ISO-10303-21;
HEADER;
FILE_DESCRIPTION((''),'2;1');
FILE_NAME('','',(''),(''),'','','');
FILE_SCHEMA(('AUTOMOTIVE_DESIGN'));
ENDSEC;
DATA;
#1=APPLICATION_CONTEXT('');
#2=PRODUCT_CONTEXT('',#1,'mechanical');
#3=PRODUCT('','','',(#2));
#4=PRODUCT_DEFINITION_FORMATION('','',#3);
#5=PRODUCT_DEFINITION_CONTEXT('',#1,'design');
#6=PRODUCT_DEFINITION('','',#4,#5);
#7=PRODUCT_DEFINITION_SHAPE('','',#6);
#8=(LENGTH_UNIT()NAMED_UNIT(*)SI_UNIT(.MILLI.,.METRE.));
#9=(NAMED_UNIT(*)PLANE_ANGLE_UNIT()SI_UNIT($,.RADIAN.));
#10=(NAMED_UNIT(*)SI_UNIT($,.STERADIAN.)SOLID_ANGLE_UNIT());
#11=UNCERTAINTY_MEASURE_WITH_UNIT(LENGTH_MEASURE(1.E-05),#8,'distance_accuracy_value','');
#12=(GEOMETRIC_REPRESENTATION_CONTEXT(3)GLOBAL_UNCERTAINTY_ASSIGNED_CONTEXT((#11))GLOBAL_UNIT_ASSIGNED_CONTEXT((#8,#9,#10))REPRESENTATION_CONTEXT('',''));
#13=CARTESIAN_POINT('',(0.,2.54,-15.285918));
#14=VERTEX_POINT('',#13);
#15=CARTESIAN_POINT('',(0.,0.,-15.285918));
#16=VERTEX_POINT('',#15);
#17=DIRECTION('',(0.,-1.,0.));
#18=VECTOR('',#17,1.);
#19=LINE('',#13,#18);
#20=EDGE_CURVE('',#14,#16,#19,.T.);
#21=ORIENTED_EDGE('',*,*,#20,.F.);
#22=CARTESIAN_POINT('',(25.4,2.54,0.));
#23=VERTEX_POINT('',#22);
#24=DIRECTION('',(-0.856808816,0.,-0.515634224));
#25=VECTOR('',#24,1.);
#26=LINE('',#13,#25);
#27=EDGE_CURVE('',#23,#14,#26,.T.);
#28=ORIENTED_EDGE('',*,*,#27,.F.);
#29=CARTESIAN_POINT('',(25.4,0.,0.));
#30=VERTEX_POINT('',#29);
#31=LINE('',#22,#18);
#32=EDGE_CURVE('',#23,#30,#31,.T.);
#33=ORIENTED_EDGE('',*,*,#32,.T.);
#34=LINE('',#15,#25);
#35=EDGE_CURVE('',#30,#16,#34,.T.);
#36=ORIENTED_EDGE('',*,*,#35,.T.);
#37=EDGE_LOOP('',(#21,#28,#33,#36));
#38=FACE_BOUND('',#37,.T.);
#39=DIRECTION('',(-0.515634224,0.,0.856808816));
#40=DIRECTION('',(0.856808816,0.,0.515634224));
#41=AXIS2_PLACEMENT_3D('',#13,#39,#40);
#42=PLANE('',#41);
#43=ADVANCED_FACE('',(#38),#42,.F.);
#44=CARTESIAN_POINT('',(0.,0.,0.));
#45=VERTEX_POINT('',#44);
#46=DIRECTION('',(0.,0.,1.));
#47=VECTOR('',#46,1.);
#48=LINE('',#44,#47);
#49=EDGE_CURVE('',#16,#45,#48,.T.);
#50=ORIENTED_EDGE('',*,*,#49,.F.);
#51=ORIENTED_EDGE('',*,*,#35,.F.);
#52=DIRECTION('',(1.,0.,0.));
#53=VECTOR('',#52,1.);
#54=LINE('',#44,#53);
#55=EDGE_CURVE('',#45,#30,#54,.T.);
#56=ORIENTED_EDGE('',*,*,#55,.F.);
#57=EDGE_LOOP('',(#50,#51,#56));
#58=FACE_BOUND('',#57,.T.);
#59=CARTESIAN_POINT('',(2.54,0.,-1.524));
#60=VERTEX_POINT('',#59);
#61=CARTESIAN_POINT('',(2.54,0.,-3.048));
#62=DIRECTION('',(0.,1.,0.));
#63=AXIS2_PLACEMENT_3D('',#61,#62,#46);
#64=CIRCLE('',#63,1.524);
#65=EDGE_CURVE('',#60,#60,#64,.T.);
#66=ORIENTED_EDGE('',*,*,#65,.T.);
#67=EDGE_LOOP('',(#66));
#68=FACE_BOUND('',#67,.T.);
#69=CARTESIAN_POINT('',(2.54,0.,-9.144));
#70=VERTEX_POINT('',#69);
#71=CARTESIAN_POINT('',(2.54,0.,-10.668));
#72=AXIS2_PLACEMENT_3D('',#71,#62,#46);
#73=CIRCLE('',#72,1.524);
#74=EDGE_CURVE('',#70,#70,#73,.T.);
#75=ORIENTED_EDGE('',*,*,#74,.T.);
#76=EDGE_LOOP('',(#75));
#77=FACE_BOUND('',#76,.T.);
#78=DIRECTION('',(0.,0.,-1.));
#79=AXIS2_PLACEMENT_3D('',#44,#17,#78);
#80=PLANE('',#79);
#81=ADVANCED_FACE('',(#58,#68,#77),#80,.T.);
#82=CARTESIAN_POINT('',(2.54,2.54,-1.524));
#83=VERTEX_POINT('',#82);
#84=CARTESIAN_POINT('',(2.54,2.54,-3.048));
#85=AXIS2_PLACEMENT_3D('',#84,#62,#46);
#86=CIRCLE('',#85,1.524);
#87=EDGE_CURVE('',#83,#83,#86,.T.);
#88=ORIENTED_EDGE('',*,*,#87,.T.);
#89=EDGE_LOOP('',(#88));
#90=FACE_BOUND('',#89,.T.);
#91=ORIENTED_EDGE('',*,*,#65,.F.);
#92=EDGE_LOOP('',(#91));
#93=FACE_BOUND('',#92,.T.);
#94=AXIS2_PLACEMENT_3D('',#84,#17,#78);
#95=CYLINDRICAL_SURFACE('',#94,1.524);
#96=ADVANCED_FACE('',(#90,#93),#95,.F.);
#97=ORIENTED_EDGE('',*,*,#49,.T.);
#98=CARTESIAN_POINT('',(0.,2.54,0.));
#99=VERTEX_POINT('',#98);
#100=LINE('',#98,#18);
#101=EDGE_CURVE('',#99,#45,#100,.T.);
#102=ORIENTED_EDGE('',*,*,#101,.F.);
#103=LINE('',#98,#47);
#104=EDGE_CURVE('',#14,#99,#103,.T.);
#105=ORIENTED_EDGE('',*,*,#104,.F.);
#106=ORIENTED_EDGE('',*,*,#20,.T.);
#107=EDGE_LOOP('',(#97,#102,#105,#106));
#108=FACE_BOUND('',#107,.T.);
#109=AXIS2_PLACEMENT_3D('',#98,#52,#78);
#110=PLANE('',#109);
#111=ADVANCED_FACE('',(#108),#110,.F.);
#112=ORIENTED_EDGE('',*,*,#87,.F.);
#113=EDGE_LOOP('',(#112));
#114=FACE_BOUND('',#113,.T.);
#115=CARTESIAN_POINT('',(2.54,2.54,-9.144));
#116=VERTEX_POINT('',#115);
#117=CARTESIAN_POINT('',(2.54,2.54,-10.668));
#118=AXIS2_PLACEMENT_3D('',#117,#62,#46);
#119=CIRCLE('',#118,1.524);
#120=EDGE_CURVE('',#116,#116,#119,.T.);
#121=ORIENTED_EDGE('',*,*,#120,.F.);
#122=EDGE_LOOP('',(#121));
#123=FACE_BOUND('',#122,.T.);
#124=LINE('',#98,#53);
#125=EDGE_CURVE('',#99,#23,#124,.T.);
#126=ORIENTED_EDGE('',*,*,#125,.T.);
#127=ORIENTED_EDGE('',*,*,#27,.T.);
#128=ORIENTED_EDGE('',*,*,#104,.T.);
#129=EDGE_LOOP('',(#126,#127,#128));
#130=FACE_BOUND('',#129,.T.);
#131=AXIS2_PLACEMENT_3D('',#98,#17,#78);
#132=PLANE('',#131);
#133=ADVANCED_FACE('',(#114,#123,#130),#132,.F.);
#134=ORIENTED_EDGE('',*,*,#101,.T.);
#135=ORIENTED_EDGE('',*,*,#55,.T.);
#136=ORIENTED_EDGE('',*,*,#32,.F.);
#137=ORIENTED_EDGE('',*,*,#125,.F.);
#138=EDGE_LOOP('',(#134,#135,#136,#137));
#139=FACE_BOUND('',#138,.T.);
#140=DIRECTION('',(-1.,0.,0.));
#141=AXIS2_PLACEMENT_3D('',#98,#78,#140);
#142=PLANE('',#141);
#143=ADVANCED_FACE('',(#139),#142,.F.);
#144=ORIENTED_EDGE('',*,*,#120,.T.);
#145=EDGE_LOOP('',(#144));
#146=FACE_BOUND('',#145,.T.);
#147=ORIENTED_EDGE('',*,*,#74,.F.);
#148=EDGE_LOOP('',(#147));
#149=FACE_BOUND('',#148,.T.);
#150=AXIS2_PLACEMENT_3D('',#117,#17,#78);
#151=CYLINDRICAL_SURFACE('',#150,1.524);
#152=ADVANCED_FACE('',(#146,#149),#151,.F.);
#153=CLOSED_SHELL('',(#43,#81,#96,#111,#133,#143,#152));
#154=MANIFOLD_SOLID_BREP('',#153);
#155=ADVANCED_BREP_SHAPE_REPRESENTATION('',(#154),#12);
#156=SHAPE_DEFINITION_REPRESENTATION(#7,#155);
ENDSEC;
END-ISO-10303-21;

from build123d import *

# Parameters (mm, degrees)
SKETCH1_R           = 1.524
BOSS_EXTRUDE1_DEPTH = 2.54


with BuildPart() as part:
    # Sketch1 → Boss-Extrude1 (new body)
    with BuildSketch(Plane(origin=(0, 0, 0), x_dir=(1, 0, 0), z_dir=(0, 1, 0))):
        Polygon((0, 0), (25.4, 0), (0, 15.285917978), align=None)
        with Locations(Location((2.54, 3.048, 0), (0, 0, 270))):
            Circle(SKETCH1_R, mode=Mode.SUBTRACT)
        with Locations(Location((2.54, 10.668, 0), (0, 0, 270))):
            Circle(SKETCH1_R, mode=Mode.SUBTRACT)
    extrude(amount=BOSS_EXTRUDE1_DEPTH)


solid = part.part
